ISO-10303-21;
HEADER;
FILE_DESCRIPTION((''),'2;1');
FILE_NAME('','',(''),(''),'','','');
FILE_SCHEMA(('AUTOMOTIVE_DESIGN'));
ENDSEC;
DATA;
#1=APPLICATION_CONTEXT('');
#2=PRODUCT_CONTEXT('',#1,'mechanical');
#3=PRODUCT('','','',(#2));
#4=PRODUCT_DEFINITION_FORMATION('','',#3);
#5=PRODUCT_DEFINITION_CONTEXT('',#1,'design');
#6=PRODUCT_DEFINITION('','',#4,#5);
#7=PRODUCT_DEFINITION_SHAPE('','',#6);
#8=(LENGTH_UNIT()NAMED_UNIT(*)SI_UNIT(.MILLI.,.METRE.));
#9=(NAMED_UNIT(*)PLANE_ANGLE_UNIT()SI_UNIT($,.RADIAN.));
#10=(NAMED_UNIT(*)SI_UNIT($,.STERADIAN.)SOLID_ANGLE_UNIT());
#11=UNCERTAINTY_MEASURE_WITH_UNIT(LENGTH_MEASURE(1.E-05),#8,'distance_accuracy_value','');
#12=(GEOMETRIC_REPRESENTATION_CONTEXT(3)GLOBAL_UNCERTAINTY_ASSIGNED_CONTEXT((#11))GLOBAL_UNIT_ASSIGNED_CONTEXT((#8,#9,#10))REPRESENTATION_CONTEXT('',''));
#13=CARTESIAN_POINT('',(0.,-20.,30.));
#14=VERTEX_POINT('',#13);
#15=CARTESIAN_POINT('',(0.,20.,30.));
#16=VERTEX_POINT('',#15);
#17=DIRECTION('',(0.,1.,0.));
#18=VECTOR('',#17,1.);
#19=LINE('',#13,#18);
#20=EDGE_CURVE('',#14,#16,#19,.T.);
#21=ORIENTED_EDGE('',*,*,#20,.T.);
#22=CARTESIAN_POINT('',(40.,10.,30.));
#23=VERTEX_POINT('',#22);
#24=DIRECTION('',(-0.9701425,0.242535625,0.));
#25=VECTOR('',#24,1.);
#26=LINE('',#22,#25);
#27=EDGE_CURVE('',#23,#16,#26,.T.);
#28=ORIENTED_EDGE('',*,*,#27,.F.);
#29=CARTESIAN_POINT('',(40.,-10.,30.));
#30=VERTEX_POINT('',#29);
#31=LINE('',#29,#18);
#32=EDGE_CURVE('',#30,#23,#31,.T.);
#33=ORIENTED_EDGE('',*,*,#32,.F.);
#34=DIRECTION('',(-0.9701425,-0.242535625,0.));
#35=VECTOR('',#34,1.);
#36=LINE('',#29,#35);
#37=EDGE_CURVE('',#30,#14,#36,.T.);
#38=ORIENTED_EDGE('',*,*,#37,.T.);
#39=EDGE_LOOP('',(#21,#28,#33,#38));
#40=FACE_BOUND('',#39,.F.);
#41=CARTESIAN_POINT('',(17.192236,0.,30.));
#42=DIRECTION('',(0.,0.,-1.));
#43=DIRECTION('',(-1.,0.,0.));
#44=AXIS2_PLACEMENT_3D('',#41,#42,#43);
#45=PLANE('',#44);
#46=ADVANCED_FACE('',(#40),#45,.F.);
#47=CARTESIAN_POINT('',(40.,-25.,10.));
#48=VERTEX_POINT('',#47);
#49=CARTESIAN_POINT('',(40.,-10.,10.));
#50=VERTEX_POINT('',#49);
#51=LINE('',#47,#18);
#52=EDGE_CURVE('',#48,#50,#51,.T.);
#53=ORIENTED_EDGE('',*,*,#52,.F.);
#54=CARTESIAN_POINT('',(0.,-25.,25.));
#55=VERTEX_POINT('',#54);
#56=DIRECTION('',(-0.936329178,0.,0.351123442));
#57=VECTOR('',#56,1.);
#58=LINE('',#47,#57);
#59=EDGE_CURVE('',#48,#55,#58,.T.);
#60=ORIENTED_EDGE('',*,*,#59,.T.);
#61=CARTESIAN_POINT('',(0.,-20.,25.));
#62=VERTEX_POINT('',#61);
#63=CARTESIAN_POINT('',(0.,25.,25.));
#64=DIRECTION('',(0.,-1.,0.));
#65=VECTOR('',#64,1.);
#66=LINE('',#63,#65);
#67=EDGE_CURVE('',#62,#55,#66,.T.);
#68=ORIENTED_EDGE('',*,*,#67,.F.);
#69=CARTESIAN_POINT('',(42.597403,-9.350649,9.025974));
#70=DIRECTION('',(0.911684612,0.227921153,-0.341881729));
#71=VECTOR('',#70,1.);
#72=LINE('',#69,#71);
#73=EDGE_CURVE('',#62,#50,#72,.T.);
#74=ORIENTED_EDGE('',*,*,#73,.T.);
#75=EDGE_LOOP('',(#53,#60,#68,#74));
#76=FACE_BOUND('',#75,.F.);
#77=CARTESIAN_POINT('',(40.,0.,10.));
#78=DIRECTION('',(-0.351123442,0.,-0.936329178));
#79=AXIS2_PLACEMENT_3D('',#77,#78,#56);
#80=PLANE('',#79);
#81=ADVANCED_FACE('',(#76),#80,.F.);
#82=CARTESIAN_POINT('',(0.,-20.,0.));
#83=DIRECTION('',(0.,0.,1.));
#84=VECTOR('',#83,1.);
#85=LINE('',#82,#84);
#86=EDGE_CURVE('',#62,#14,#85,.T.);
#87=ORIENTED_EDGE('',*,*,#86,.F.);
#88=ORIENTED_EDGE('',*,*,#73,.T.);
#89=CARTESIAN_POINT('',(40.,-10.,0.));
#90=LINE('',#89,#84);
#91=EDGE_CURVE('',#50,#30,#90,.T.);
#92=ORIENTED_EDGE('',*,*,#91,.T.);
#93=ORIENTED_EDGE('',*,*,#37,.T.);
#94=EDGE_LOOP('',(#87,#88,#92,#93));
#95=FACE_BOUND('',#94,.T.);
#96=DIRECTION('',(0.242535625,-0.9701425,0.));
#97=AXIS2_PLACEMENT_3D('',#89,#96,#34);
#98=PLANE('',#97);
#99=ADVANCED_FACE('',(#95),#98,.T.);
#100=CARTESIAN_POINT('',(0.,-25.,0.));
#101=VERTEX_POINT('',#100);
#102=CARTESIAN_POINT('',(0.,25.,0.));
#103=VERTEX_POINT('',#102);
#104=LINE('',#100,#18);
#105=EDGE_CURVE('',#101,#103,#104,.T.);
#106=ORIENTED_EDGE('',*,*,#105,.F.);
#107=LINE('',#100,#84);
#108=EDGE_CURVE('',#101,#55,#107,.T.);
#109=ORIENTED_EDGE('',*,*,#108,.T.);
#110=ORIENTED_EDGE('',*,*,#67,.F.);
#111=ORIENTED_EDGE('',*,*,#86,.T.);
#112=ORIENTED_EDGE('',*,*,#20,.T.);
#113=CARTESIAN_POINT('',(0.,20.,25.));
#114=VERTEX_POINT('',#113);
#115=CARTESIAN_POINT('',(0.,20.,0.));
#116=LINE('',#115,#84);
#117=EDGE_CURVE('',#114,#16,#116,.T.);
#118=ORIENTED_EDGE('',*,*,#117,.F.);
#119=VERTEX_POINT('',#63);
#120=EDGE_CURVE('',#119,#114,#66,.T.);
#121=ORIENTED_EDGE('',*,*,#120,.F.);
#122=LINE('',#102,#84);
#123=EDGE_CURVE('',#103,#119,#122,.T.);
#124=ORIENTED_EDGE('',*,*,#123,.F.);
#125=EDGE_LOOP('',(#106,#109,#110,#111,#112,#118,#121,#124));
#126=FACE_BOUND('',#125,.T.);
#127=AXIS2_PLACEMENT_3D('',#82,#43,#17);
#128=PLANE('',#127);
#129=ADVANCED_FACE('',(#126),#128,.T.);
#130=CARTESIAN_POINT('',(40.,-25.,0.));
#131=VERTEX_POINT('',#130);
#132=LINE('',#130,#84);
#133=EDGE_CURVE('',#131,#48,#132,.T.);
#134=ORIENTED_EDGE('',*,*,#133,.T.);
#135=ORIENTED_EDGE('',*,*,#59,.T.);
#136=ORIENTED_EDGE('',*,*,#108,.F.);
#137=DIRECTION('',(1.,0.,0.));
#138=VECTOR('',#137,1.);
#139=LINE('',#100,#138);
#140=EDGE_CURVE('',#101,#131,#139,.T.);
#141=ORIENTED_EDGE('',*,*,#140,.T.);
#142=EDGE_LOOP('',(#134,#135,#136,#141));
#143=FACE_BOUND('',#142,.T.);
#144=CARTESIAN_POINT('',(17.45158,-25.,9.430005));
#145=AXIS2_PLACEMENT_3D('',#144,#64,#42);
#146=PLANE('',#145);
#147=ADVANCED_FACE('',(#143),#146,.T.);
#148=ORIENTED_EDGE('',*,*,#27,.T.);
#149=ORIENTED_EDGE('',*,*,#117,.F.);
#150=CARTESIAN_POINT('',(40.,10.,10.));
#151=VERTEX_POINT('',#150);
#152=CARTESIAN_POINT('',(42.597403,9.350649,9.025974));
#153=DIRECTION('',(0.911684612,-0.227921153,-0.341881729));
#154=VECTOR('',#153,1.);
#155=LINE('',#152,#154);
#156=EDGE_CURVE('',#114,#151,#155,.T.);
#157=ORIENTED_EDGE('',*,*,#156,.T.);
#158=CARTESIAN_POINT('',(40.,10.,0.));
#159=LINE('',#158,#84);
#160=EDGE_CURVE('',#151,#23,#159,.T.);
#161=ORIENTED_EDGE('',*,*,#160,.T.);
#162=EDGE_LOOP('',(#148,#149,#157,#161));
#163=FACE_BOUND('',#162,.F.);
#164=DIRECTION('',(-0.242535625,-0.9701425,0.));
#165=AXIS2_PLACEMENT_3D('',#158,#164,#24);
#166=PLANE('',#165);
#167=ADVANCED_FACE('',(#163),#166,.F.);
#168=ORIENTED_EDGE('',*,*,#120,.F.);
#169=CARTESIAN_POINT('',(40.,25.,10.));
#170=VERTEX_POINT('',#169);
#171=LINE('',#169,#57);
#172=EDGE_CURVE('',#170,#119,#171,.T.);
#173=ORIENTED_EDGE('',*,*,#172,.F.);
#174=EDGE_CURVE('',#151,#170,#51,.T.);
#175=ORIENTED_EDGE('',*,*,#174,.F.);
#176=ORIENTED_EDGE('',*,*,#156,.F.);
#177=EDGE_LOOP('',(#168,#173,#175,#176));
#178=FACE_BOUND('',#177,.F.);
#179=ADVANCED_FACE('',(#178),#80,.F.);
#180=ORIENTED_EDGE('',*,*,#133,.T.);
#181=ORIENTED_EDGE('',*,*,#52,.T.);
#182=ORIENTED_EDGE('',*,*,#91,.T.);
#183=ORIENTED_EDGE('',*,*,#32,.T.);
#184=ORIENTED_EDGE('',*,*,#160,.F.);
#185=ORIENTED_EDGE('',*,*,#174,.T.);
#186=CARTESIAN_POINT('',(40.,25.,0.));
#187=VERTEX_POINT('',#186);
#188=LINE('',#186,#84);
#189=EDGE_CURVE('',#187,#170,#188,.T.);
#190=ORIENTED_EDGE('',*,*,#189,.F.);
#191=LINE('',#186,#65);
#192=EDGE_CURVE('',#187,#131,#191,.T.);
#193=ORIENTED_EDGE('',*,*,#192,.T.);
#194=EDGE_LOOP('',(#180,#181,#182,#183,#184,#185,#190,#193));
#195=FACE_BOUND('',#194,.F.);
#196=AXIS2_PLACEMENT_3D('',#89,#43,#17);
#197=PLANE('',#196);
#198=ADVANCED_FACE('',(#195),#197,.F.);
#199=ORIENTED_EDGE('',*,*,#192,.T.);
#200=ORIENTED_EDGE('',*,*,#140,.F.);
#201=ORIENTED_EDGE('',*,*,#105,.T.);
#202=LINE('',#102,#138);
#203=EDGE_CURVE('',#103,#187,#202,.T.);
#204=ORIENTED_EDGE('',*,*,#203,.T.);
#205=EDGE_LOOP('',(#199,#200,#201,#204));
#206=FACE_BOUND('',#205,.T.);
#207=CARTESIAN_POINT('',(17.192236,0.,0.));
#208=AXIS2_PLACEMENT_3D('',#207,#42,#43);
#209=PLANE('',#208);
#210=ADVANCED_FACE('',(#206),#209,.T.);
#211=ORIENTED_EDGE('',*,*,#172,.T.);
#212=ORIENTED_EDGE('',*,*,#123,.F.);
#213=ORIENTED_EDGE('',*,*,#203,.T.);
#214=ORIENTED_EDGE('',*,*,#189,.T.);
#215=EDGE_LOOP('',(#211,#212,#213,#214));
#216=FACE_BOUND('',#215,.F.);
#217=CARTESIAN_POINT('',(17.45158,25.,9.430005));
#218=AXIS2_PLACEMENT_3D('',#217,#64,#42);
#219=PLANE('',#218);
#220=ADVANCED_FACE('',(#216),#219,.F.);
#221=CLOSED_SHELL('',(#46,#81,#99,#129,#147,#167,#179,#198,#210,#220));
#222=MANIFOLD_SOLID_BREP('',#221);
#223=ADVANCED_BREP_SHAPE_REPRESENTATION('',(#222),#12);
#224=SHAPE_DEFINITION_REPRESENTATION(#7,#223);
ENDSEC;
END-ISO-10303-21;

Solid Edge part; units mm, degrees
sketch "Sketch1" plane through (0, 0, 0) normal (0, 0, 1) x (1, 0, 0)
  line L0 (40, -10) -> (0, -20)
  line L1 (0, -20) -> (0, 20)
  line L2 (40, 10) -> (0, 20)
  line L3 (40, -10) -> (40, 10)
extrude "Protrusion1" add sketch "Sketch1" along normal blind 30
sketch "Sketch2" plane through (0, 0, 0) normal (0, -1, 0) x (1, 0, 0)
  line L0 (40, 10) -> (0, 25)
  line L1 (0, 0) -> (0, 25)
  line L2 (0, 0) -> (40, 0)
  line L3 (40, 0) -> (40, 10)
extrude "ExtrudedProtrusion_2" add sketch "Sketch2" along normal mid plane 50
